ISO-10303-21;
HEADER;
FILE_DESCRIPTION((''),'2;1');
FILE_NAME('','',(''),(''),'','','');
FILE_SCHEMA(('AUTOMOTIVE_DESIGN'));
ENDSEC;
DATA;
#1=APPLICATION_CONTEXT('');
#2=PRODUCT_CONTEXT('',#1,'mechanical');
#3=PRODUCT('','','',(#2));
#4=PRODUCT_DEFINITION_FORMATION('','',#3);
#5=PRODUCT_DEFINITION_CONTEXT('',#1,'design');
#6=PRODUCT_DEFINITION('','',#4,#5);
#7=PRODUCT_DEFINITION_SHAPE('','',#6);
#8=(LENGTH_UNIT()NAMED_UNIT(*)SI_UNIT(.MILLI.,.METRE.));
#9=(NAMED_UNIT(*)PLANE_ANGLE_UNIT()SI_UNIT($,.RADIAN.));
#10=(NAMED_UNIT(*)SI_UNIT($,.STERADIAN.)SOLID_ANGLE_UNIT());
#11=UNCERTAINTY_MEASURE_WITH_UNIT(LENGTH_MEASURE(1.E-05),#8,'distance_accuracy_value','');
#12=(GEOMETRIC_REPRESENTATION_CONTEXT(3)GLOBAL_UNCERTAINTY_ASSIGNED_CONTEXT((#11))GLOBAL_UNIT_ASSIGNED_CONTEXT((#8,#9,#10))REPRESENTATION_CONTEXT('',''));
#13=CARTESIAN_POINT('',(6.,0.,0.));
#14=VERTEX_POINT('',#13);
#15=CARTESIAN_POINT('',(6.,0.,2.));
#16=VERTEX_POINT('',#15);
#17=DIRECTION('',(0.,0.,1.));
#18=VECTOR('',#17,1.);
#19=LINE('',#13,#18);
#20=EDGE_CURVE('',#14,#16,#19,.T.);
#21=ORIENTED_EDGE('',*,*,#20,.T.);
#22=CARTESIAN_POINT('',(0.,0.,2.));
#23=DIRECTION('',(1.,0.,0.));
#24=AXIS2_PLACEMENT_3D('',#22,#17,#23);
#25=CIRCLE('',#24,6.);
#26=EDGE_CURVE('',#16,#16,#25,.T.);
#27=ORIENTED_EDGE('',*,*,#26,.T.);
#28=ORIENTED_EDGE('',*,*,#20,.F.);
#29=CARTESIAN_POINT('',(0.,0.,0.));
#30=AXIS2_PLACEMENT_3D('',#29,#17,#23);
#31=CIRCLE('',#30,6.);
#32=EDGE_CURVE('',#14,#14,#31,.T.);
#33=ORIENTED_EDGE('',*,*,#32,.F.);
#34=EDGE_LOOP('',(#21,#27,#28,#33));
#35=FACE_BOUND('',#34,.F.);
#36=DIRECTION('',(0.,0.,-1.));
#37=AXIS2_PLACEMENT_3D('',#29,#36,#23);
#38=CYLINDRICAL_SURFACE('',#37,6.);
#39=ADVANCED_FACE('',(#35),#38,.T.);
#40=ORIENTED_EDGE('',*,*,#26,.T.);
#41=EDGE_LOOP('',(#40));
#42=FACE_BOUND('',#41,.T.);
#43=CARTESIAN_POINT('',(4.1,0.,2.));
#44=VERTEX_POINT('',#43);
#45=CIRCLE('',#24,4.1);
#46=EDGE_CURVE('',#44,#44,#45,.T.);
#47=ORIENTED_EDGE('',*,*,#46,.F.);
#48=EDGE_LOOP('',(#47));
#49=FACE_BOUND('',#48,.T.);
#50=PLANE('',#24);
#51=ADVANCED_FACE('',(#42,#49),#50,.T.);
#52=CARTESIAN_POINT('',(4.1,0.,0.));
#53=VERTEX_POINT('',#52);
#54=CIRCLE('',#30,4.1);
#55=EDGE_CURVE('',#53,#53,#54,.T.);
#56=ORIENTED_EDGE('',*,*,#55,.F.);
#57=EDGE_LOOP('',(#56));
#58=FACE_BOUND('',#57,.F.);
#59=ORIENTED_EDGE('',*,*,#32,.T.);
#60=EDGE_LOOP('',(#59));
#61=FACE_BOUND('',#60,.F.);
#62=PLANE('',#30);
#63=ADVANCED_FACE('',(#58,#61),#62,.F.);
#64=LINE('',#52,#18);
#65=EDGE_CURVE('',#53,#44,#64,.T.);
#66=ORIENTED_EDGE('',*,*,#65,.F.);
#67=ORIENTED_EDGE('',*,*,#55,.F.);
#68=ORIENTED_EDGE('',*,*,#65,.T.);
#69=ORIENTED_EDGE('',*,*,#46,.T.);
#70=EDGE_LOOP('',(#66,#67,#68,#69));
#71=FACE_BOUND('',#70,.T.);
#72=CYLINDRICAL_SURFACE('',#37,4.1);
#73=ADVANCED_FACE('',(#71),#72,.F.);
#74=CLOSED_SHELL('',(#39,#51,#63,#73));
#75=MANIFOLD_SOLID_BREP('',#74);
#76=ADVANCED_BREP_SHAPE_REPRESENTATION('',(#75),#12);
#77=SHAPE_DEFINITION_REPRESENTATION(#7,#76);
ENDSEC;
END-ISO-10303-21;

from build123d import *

# Parameters (mm, degrees)
CYLINDER001_R     = 4.1
CYLINDER001_DEPTH = 2
CYLINDER_R        = 6
CYLINDER_DEPTH    = 2


with BuildPart() as inner:
    # Cylinder001 → Cylinder001 (new body)
    with BuildSketch(Plane.XY):
        Circle(CYLINDER001_R)
    extrude(amount=CYLINDER001_DEPTH)


with BuildPart() as cut:
    # Cylinder → Cylinder (new body)
    with BuildSketch(Plane.XY):
        Circle(CYLINDER_R)
    extrude(amount=CYLINDER_DEPTH)

    # Cut: cut Inner
    add(inner.part, mode=Mode.SUBTRACT)


solid = cut.part
